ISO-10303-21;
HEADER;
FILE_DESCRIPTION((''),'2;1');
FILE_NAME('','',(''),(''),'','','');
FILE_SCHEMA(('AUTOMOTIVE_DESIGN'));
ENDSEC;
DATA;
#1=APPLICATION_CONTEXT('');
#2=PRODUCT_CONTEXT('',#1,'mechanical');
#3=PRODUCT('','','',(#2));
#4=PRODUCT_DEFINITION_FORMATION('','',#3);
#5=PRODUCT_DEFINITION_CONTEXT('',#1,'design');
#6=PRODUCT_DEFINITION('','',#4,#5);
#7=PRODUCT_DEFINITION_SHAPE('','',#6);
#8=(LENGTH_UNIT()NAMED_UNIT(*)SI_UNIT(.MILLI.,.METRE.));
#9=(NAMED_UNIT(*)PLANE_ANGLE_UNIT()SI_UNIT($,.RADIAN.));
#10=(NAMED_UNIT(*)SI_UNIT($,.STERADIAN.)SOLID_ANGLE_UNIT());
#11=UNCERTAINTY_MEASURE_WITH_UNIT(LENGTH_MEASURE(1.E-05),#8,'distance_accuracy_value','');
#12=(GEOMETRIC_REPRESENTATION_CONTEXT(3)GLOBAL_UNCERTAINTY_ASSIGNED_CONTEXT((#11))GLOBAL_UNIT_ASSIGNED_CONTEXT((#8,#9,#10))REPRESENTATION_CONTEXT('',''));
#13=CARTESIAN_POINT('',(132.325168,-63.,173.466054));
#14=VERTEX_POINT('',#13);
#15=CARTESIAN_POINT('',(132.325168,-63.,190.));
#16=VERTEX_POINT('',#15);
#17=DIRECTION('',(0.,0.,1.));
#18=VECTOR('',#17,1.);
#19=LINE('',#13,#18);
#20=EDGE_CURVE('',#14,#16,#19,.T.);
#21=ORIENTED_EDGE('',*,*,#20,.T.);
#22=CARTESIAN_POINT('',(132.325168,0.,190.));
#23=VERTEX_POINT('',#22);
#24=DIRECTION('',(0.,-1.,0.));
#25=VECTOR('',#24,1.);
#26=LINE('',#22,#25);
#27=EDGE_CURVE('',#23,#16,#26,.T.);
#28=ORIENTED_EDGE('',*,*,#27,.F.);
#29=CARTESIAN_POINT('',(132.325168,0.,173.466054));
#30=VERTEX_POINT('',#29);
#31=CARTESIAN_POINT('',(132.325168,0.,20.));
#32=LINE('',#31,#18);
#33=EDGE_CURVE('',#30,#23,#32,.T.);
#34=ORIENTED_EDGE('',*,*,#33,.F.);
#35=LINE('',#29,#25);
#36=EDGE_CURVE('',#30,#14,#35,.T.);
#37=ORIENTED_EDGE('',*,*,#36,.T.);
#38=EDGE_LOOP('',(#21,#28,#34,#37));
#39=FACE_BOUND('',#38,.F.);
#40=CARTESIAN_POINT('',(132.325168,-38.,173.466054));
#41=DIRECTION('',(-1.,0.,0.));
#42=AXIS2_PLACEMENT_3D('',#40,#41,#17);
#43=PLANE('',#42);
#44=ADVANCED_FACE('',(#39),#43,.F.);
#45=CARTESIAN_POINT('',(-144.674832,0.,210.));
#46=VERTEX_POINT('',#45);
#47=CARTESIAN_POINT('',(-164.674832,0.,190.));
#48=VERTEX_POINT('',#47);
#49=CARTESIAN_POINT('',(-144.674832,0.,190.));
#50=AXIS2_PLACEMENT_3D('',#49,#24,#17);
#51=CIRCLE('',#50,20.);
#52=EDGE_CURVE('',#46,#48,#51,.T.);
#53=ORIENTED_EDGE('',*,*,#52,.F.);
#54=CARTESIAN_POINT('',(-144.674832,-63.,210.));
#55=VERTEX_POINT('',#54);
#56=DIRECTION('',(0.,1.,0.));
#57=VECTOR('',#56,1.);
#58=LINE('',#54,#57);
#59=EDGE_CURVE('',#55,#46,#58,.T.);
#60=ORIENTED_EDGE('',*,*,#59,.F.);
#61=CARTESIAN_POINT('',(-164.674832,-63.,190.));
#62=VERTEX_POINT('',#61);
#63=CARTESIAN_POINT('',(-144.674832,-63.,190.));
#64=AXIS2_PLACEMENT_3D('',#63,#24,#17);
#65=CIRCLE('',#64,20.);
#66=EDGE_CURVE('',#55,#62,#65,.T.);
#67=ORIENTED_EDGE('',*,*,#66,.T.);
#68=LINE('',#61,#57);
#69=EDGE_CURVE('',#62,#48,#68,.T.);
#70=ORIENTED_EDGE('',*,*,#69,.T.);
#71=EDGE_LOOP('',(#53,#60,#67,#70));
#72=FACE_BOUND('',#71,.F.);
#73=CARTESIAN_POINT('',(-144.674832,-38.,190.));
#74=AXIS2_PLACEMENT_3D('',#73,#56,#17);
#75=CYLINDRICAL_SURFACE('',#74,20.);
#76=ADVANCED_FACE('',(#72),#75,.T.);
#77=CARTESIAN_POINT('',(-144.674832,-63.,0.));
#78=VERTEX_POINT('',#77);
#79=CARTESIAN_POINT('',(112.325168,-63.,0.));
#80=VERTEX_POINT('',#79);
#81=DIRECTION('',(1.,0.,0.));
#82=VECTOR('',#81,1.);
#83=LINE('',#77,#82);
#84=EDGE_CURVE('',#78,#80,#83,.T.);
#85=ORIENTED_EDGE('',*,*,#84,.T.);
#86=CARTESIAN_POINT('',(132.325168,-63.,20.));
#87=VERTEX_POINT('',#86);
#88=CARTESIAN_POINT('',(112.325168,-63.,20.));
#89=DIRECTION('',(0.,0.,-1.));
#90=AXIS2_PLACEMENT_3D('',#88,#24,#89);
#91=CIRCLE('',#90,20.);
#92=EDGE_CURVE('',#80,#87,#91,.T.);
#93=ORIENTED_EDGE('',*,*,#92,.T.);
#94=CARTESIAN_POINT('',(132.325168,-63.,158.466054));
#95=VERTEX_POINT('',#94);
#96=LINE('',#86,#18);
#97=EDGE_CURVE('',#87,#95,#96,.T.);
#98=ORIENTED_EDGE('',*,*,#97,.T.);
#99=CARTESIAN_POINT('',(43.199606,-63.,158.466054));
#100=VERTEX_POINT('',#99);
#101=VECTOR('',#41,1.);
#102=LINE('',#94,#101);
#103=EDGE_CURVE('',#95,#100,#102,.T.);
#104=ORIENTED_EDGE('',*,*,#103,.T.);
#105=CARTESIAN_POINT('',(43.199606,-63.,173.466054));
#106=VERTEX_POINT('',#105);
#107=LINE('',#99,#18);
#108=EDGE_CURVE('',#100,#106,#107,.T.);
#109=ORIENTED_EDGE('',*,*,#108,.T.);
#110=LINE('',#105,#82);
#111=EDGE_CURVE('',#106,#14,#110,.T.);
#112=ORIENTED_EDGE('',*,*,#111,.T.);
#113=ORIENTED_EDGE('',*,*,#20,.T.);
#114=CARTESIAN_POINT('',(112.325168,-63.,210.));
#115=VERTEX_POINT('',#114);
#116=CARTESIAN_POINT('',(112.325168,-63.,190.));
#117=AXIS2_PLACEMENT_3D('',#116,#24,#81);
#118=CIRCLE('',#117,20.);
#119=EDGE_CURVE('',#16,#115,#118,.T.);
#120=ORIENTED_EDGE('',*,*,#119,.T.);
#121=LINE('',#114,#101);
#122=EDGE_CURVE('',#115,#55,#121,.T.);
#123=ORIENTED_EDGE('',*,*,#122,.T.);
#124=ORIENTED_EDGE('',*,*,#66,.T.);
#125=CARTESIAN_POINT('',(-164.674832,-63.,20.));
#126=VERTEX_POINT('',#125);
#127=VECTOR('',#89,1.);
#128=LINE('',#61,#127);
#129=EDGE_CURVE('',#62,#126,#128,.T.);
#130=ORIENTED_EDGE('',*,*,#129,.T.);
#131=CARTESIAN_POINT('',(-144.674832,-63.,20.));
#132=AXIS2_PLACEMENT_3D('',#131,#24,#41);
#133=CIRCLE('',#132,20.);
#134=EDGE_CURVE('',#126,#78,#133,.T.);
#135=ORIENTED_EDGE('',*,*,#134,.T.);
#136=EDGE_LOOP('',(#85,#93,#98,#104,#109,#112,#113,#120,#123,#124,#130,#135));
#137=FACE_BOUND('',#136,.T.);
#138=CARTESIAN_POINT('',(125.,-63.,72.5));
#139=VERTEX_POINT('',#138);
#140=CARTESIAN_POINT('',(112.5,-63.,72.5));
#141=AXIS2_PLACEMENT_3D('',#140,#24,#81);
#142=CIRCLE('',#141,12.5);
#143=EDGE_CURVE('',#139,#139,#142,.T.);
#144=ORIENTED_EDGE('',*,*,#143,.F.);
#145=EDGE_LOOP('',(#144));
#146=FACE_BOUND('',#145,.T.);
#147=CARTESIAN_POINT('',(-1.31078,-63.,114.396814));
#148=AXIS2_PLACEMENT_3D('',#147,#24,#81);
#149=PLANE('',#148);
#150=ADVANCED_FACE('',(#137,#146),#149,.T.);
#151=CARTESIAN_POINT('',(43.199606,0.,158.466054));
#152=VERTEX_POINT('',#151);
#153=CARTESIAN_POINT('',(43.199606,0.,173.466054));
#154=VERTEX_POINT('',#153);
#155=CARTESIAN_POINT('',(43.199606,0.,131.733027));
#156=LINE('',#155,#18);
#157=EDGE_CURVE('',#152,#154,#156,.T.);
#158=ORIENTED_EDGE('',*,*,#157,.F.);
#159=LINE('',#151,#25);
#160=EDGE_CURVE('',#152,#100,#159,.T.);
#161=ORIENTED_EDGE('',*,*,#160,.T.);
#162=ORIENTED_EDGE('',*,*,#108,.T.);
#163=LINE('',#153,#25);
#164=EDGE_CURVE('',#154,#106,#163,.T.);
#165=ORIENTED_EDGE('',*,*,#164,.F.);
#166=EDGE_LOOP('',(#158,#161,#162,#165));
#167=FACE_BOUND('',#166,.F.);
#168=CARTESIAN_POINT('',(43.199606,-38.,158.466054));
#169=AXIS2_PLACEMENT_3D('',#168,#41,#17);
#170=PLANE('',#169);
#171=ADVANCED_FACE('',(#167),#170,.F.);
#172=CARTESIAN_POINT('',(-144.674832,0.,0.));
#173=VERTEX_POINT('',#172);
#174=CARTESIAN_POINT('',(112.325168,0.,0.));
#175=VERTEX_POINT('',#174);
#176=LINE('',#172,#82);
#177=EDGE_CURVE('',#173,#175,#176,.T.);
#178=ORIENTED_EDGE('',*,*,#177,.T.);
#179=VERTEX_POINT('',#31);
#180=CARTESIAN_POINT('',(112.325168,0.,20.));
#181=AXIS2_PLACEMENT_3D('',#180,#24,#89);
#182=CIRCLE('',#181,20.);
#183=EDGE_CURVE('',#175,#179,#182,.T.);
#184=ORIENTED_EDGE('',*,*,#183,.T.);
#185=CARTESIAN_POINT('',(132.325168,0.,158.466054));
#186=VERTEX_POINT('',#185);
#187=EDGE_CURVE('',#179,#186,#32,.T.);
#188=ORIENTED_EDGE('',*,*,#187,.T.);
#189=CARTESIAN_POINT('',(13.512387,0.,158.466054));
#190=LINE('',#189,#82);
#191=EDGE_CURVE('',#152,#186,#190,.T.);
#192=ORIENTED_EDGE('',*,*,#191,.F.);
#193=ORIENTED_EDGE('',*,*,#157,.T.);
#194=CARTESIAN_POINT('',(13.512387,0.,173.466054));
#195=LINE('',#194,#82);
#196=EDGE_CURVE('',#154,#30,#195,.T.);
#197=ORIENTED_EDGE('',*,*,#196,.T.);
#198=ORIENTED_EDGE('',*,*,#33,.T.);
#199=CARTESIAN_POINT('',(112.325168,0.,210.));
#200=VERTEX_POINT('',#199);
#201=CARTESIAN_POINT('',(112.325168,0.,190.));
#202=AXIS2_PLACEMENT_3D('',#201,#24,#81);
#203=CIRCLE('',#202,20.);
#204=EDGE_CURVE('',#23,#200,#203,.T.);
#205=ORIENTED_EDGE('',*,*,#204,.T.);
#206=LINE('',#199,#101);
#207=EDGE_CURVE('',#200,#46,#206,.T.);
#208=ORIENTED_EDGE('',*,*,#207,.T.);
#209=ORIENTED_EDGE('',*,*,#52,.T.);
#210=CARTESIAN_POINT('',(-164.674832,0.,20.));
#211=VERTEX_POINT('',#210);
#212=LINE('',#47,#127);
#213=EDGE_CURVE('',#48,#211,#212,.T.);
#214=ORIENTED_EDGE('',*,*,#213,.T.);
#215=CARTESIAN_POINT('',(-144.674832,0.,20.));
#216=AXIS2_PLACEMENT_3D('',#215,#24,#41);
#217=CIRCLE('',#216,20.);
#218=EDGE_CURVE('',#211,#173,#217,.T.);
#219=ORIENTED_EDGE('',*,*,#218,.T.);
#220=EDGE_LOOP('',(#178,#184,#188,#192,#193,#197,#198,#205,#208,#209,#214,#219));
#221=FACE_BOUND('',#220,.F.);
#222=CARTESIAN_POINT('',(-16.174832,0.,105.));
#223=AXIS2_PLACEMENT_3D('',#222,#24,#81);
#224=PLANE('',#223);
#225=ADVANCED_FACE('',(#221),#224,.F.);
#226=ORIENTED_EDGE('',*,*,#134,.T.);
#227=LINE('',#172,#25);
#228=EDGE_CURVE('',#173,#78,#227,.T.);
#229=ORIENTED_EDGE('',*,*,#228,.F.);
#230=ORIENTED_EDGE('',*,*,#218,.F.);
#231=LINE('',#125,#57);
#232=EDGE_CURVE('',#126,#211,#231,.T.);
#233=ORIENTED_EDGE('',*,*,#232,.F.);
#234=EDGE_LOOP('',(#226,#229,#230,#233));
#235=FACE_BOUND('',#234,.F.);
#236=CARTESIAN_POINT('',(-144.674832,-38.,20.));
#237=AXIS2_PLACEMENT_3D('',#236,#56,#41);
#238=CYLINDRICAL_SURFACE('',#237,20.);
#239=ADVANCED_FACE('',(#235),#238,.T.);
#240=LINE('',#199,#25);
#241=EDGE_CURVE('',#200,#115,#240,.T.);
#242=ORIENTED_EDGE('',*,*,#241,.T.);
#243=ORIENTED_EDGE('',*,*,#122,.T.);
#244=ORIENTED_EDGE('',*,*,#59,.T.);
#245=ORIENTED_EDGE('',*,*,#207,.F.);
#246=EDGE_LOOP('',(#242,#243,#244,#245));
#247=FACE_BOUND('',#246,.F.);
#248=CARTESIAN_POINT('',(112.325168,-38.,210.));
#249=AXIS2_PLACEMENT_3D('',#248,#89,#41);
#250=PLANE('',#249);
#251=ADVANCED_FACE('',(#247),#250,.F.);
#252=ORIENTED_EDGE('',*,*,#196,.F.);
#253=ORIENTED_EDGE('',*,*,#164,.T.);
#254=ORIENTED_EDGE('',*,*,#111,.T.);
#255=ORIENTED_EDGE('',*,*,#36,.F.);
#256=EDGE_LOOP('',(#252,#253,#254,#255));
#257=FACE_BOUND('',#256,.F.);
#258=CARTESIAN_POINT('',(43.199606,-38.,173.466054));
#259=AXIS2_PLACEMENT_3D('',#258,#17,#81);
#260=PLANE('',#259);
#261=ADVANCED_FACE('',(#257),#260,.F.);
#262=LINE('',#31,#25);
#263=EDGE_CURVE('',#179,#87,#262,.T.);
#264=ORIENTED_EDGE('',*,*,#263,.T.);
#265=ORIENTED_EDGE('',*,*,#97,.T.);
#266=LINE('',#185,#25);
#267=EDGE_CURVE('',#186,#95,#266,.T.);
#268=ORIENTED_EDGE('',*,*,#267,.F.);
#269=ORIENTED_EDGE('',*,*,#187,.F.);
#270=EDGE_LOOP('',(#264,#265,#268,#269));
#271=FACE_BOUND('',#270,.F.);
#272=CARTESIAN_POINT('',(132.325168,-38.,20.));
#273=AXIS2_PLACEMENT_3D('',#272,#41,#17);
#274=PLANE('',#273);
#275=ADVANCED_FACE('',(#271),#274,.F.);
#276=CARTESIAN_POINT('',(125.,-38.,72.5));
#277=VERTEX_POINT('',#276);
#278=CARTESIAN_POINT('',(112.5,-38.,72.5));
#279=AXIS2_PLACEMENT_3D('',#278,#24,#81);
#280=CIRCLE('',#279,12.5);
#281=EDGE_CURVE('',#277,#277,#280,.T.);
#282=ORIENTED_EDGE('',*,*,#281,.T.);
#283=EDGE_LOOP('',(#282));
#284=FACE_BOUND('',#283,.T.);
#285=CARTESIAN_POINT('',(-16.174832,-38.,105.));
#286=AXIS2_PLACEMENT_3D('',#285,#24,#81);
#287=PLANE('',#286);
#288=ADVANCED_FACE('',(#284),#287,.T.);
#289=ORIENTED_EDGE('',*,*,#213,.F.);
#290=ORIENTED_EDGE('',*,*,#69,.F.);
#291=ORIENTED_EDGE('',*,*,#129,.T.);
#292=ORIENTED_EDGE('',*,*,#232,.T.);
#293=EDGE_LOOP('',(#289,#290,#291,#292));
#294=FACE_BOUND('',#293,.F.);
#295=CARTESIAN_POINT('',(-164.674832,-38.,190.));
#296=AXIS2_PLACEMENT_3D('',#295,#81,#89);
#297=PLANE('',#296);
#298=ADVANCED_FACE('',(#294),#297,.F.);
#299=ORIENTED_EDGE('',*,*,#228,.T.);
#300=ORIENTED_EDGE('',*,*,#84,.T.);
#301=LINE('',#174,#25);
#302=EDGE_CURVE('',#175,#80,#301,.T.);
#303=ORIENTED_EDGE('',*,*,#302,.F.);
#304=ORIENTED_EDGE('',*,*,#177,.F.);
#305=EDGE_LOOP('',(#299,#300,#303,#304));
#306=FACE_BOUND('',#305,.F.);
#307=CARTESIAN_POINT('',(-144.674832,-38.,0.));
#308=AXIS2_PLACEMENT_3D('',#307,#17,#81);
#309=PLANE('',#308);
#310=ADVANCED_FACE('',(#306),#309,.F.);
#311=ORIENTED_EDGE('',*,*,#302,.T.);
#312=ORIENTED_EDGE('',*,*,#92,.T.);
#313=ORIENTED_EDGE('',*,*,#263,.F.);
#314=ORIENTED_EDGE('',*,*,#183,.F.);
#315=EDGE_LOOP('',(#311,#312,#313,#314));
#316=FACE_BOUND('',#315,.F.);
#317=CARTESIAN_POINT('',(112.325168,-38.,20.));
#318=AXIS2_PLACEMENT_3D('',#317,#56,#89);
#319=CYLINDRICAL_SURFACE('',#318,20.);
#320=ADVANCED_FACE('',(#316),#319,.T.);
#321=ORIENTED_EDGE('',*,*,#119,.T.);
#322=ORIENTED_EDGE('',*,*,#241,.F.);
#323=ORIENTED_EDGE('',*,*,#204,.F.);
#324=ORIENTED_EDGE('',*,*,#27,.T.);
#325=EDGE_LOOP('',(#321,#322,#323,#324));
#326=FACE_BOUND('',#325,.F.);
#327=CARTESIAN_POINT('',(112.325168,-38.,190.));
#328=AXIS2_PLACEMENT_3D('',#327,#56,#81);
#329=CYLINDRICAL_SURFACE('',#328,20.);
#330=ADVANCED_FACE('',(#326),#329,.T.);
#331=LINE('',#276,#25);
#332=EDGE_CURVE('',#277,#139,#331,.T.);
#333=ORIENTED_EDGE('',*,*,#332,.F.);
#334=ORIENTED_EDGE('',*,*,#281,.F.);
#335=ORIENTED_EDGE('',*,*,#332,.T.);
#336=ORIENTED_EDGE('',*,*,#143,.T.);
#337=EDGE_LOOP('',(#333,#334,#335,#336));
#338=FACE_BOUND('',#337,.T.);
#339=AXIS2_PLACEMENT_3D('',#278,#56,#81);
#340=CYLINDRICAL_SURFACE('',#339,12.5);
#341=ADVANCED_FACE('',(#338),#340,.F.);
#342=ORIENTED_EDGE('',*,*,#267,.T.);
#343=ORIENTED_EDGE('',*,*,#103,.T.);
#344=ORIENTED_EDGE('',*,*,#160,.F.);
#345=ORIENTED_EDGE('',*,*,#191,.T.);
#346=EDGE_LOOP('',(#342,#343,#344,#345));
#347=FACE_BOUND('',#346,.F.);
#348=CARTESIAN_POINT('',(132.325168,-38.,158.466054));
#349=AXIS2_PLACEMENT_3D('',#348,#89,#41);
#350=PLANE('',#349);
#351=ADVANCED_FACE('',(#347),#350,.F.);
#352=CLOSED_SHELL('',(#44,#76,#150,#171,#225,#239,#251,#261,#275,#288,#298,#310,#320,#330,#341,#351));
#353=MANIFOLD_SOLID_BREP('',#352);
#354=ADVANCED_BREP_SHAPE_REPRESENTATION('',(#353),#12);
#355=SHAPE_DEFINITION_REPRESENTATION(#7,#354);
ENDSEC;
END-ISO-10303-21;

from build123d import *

# Parameters (mm, degrees)
F1_DEPTH = 13
F2_DEPTH = 25
F3_W     = 110
F3_H     = 15
F4_DEPTH = 25
F5_DEPTH = 25
F6_R     = 12.5
F7_DEPTH = 25


with BuildPart() as f1:
    # F0 (on Front) → F1 (new body)
    with BuildSketch(Plane.XZ):
        with BuildLine():
            Line((112.3251678944, 210), (-144.6748321056, 210))
            ThreePointArc((-144.6748321056, 210), (-158.8169677293, 204.1421356237), (-164.6748321056, 190))
            Line((-164.6748321056, 190), (-164.6748321056, 20))
            ThreePointArc((-164.6748321056, 20), (-158.8169677293, 5.8578643763), (-144.6748321056, 0))
            Line((-144.6748321056, 0), (112.3251678944, 0))
            ThreePointArc((112.3251678944, 0), (126.4673035181, 5.8578643763), (132.3251678944, 20))
            Line((132.3251678944, 20), (132.3251678944, 190))
            ThreePointArc((132.3251678944, 190), (126.4673035181, 204.1421356237), (112.3251678944, 210))
        make_face()
    extrude(amount=F1_DEPTH)

    # F0 (on Front) + F1_face (on face) → F2 (join)
    with BuildSketch(Plane.XZ):
        with BuildLine():
            Line((112.3251678944, 210), (-144.6748321056, 210))
            ThreePointArc((-144.6748321056, 210), (-158.8169677293, 204.1421356237), (-164.6748321056, 190))
            Line((-164.6748321056, 190), (-164.6748321056, 20))
            ThreePointArc((-164.6748321056, 20), (-158.8169677293, 5.8578643763), (-144.6748321056, 0))
            Line((-144.6748321056, 0), (112.3251678944, 0))
            ThreePointArc((112.3251678944, 0), (126.4673035181, 5.8578643763), (132.3251678944, 20))
            Line((132.3251678944, 20), (132.3251678944, 190))
            ThreePointArc((132.3251678944, 190), (126.4673035181, 204.1421356237), (112.3251678944, 210))
        make_face()
    with BuildSketch(Plane(origin=(-16.1748321056, -13, 105), x_dir=(1, 0, 0), z_dir=(0, -1, 0))):
        with BuildLine():
            Line((148.5, -85), (148.5, 85))
            ThreePointArc((148.5, 85), (142.6421356237, 99.1421356237), (128.5, 105))
            Line((128.5, 105), (-128.5, 105))
            ThreePointArc((-128.5, 105), (-142.6421356237, 99.1421356237), (-148.5, 85))
            Line((-148.5, 85), (-148.5, -85))
            ThreePointArc((-148.5, -85), (-142.6421356237, -99.1421356237), (-128.5, -105))
            Line((-128.5, -105), (128.5, -105))
            ThreePointArc((128.5, -105), (142.6421356237, -99.1421356237), (148.5, -85))
        make_face()
    extrude(amount=F2_DEPTH)

    # F3 (on face) → F4 (cut)
    with BuildSketch(Plane.XZ.offset(38)):
        with Locations((98.1996059418, 165.9660535473)):
            Rectangle(F3_W, F3_H)
    extrude(amount=-F4_DEPTH, mode=Mode.SUBTRACT)

    # F5 (cut): a face of the model
    f5_faces = [f1.faces().sort_by_distance(p)[0] for p in [
        (87.7623869181, -13, 165.9660535473),
    ]]
    extrude(f5_faces, amount=-F5_DEPTH, mode=Mode.SUBTRACT)

    # F6 (on face) → F7 (join)
    with BuildSketch(Plane.XZ.offset(38)):
        with BuildLine():
            ThreePointArc((-164.6748321056, 20), (-158.8169677293, 5.8578643763), (-144.6748321056, 0))
            Line((-144.6748321056, 0), (112.3251678944, 0))
            ThreePointArc((112.3251678944, 0), (126.4673035181, 5.8578643763), (132.3251678944, 20))
            Line((132.3251678944, 20), (132.3251678944, 158.4660535473))
            Line((132.3251678944, 158.4660535473), (43.1996059418, 158.4660535473))
            Line((43.1996059418, 158.4660535473), (43.1996059418, 173.4660535473))
            Line((43.1996059418, 173.4660535473), (132.3251678944, 173.4660535473))
            Line((132.3251678944, 173.4660535473), (132.3251678944, 190))
            ThreePointArc((132.3251678944, 190), (126.4673035181, 204.1421356237), (112.3251678944, 210))
            Line((112.3251678944, 210), (-144.6748321056, 210))
            ThreePointArc((-144.6748321056, 210), (-158.8169677293, 204.1421356237), (-164.6748321056, 190))
            Line((-164.6748321056, 190), (-164.6748321056, 20))
        make_face()
        with Locations((2.5, 72.5)):
            Circle(F6_R, mode=Mode.SUBTRACT)
        with Locations((57.5, 72.5)):
            Circle(F6_R, mode=Mode.SUBTRACT)
        with Locations((112.5, 72.5)):
            Circle(F6_R, mode=Mode.SUBTRACT)
        with Locations((2.5, 72.5)):
            Circle(F6_R)
        with Locations((57.5, 72.5)):
            Circle(F6_R)
    extrude(amount=F7_DEPTH)


solid = f1.part
